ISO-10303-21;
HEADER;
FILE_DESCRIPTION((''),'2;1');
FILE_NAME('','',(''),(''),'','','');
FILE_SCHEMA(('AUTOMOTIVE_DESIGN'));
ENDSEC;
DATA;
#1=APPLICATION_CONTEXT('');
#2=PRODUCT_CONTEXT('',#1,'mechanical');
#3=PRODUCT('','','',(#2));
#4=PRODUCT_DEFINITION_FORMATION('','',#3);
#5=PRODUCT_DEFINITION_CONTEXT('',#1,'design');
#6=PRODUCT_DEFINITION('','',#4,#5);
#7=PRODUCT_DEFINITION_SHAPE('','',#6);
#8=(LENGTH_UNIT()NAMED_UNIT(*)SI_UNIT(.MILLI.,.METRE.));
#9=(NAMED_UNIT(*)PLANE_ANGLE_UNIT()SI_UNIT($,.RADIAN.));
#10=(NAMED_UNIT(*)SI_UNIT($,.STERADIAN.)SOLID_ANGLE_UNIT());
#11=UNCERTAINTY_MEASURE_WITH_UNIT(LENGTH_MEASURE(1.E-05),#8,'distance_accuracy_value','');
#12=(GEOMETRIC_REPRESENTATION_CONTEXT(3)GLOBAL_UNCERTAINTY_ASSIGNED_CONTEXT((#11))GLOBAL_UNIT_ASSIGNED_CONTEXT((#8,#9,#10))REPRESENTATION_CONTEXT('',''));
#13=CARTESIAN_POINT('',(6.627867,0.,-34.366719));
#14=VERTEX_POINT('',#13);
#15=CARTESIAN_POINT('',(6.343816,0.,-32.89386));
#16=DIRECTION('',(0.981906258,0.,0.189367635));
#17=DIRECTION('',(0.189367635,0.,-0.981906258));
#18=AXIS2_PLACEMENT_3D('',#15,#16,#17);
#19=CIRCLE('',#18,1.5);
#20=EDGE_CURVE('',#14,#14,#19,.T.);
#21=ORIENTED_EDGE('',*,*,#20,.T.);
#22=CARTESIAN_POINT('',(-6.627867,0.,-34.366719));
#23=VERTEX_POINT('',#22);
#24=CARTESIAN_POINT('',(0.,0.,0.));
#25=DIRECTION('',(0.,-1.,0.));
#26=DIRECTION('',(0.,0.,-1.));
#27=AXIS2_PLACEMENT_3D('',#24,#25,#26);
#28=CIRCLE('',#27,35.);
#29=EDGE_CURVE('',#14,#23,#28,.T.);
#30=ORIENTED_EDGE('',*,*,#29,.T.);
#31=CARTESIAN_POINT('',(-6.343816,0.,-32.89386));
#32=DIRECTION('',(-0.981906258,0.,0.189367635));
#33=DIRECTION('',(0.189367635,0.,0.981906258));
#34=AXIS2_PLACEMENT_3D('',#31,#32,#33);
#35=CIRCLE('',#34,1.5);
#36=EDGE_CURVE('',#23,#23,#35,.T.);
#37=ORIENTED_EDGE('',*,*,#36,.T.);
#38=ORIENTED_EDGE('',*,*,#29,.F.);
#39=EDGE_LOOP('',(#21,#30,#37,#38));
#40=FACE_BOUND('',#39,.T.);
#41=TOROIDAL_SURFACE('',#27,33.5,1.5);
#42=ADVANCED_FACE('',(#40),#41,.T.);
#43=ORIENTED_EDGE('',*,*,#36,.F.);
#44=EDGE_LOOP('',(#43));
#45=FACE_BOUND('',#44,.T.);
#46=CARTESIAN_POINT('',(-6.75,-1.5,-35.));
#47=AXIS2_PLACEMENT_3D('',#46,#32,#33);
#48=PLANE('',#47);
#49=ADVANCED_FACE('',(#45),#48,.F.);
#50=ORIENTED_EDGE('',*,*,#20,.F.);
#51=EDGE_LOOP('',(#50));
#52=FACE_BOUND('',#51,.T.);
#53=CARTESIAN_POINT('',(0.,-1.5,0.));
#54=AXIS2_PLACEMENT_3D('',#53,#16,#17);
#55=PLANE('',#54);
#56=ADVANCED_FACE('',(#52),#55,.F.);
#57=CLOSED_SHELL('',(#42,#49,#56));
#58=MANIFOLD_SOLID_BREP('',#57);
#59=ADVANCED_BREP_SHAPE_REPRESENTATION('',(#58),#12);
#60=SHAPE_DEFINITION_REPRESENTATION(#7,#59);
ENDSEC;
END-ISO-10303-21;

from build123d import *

# Parameters (mm, degrees)
ESBO_O1_R                  = 1.5
CORTE_EXTRUS_O1_DEPTH      = 50.520198044
CORTE_EXTRUS_O1_DEPTH_BACK = 50.520198044


with BuildPart() as part:
    # Esboço1 → Revolução1 (revolve)
    with BuildSketch(Plane.XY, mode=Mode.PRIVATE) as revolu_o1_sk:
        with Locations((-33.5, 0)):
            Circle(ESBO_O1_R)
    revolve(revolu_o1_sk.sketch.rotate(Axis((0, 0, 0), (0, 1, 0)), 270), axis=Axis((0, 0, 0), (0, 1, 0)))

    # Esboço2 → Corte-extrusão1 (cut, two sides: drawn at the far end of the back side and taken through both)
    with BuildSketch(Plane(origin=(0, 0, 0), x_dir=(1, 0, 0), z_dir=(0, 1, 0)).offset(-CORTE_EXTRUS_O1_DEPTH_BACK)):
        Polygon((-6.75, 35), (6.75, 35), (0, 0), align=None)
    extrude(amount=CORTE_EXTRUS_O1_DEPTH + CORTE_EXTRUS_O1_DEPTH_BACK, mode=Mode.SUBTRACT)


solid = part.part
